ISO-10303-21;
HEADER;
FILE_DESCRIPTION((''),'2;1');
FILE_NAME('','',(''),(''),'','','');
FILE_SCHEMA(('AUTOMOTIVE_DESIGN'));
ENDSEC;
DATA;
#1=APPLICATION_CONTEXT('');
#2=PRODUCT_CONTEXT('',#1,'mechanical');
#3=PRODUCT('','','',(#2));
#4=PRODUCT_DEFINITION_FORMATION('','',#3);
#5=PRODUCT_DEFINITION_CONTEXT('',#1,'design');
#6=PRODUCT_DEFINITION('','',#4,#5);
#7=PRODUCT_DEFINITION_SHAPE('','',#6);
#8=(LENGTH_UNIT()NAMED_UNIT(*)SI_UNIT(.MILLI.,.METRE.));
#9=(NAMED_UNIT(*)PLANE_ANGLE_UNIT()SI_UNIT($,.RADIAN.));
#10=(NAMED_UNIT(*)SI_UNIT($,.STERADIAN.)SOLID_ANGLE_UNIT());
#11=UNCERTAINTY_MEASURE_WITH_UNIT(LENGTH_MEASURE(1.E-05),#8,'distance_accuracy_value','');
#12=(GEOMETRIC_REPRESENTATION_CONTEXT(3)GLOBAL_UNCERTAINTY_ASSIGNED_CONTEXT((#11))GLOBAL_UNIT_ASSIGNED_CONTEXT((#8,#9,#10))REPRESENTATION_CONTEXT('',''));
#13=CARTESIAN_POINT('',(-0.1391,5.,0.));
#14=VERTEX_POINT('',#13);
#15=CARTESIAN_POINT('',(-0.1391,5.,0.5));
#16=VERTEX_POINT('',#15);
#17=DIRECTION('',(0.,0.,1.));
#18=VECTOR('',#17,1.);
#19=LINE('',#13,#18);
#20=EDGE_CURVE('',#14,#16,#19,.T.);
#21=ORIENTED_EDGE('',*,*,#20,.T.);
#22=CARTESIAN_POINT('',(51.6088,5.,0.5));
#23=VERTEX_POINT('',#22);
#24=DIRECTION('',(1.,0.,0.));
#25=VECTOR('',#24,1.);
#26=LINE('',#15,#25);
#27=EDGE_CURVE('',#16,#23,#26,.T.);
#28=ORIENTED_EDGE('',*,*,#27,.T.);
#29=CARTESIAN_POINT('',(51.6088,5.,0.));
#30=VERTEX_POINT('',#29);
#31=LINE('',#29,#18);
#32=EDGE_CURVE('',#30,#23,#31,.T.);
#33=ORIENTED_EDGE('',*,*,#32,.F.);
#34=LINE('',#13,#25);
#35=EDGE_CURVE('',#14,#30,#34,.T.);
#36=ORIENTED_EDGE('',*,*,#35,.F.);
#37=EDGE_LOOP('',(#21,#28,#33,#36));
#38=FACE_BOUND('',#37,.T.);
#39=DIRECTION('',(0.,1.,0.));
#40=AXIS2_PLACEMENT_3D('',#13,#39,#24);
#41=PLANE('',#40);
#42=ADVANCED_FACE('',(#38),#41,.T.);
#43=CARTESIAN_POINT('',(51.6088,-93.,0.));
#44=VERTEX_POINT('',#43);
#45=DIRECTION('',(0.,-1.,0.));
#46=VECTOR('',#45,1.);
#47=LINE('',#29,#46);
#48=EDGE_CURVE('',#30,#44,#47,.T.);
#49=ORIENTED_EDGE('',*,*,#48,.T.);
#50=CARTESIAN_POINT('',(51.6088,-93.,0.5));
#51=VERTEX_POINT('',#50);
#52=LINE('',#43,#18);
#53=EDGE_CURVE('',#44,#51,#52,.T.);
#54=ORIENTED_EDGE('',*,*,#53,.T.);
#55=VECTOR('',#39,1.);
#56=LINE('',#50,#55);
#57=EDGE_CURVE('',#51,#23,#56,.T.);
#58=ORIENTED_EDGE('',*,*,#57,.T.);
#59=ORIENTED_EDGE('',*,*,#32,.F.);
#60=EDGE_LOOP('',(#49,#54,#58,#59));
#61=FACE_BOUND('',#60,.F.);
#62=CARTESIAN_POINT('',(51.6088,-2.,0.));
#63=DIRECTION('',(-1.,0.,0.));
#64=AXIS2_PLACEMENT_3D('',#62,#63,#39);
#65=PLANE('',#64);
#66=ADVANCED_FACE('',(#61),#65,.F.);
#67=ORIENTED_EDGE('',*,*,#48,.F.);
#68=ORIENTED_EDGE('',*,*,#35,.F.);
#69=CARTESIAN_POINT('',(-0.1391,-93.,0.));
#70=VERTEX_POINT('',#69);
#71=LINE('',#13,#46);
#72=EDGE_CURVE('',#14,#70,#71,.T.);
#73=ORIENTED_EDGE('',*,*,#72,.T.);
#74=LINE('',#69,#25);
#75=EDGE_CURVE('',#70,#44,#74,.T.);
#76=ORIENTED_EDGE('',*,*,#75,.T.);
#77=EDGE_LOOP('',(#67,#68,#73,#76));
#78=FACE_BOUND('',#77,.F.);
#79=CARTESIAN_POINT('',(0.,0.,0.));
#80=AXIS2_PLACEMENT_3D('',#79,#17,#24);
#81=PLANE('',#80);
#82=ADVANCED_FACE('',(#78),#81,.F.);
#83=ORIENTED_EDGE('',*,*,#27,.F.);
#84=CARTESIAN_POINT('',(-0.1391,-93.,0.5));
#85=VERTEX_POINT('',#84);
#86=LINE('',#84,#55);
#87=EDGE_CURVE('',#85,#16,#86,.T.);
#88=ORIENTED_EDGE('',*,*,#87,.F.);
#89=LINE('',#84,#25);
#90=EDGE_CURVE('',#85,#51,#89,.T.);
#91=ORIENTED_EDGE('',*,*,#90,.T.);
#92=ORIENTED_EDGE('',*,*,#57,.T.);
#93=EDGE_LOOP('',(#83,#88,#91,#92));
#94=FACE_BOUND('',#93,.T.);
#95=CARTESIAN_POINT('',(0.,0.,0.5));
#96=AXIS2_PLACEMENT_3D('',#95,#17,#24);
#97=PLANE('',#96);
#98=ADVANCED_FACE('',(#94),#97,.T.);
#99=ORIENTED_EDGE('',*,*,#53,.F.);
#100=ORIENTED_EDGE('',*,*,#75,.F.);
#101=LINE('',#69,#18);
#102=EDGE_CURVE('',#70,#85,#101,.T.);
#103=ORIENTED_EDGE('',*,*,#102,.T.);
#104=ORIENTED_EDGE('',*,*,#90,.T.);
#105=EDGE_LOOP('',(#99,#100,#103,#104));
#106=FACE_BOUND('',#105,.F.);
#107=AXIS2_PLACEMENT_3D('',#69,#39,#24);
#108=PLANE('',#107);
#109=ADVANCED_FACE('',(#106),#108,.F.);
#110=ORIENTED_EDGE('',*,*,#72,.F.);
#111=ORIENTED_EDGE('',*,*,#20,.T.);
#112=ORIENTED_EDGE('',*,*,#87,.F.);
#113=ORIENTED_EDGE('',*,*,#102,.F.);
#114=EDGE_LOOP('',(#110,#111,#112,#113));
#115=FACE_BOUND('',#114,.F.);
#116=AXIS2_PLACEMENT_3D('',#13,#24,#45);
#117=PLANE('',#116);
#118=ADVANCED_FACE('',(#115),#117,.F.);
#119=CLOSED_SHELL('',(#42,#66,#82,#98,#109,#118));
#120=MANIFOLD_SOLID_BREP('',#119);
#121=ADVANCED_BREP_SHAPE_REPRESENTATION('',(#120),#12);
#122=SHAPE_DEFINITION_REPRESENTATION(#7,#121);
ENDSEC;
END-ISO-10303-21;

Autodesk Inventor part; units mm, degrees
ref_plane "YZ Plane" through (0, 0, 0) normal (1, 0, 0) x (0, 1, 0)
ref_plane "XZ Plane" through (0, 0, 0) normal (0, 1, 0) x (-1, 0, 0)
ref_plane "XY Plane" through (0, 0, 0) normal (0, 0, 1) x (1, 0, 0)
sketch "Szkic1" plane through (0, 0, 0) normal (0, 0, 1) x (1, 0, 0)
  line L0 (51.6088, -2) -> (51.6088, 5) projected
  line L1 (-0.1391, 5) -> (51.6088, 5) projected
  line L2 (-0.1391, 5) -> (-0.1391, -2) projected
  line L3 (51.6088, -2) -> (-0.1391, -2) projected
  line L4 (51.6088, -86) -> (51.6088, -93) projected
  line L5 (51.6088, -86) -> (-0.1391, -86) projected
  line L6 (-0.1391, -93) -> (-0.1391, -86) projected
  line L7 (-0.1391, -93) -> (51.6088, -93) projected
  line L8 (51.6088, -93) -> (-0.1391, -93)
  line L9 (-0.1391, -93) -> (-0.1391, 5)
  line L10 (-0.1391, 5) -> (51.6088, 5)
  line L11 (51.6088, 5) -> (51.6088, -93)
  circle A0 centre (25.7348, -89.5) radius 1.5 projected
  point P0 (0, 0)
extrude "Wyciągnięcie proste1" add sketch "Szkic1" along normal blind 0.5 contours L3 L2 L1 L0 | L11 L5 L9 L3 | L4 L7 L6 L5 | A0
properties part number "pokrywka"
